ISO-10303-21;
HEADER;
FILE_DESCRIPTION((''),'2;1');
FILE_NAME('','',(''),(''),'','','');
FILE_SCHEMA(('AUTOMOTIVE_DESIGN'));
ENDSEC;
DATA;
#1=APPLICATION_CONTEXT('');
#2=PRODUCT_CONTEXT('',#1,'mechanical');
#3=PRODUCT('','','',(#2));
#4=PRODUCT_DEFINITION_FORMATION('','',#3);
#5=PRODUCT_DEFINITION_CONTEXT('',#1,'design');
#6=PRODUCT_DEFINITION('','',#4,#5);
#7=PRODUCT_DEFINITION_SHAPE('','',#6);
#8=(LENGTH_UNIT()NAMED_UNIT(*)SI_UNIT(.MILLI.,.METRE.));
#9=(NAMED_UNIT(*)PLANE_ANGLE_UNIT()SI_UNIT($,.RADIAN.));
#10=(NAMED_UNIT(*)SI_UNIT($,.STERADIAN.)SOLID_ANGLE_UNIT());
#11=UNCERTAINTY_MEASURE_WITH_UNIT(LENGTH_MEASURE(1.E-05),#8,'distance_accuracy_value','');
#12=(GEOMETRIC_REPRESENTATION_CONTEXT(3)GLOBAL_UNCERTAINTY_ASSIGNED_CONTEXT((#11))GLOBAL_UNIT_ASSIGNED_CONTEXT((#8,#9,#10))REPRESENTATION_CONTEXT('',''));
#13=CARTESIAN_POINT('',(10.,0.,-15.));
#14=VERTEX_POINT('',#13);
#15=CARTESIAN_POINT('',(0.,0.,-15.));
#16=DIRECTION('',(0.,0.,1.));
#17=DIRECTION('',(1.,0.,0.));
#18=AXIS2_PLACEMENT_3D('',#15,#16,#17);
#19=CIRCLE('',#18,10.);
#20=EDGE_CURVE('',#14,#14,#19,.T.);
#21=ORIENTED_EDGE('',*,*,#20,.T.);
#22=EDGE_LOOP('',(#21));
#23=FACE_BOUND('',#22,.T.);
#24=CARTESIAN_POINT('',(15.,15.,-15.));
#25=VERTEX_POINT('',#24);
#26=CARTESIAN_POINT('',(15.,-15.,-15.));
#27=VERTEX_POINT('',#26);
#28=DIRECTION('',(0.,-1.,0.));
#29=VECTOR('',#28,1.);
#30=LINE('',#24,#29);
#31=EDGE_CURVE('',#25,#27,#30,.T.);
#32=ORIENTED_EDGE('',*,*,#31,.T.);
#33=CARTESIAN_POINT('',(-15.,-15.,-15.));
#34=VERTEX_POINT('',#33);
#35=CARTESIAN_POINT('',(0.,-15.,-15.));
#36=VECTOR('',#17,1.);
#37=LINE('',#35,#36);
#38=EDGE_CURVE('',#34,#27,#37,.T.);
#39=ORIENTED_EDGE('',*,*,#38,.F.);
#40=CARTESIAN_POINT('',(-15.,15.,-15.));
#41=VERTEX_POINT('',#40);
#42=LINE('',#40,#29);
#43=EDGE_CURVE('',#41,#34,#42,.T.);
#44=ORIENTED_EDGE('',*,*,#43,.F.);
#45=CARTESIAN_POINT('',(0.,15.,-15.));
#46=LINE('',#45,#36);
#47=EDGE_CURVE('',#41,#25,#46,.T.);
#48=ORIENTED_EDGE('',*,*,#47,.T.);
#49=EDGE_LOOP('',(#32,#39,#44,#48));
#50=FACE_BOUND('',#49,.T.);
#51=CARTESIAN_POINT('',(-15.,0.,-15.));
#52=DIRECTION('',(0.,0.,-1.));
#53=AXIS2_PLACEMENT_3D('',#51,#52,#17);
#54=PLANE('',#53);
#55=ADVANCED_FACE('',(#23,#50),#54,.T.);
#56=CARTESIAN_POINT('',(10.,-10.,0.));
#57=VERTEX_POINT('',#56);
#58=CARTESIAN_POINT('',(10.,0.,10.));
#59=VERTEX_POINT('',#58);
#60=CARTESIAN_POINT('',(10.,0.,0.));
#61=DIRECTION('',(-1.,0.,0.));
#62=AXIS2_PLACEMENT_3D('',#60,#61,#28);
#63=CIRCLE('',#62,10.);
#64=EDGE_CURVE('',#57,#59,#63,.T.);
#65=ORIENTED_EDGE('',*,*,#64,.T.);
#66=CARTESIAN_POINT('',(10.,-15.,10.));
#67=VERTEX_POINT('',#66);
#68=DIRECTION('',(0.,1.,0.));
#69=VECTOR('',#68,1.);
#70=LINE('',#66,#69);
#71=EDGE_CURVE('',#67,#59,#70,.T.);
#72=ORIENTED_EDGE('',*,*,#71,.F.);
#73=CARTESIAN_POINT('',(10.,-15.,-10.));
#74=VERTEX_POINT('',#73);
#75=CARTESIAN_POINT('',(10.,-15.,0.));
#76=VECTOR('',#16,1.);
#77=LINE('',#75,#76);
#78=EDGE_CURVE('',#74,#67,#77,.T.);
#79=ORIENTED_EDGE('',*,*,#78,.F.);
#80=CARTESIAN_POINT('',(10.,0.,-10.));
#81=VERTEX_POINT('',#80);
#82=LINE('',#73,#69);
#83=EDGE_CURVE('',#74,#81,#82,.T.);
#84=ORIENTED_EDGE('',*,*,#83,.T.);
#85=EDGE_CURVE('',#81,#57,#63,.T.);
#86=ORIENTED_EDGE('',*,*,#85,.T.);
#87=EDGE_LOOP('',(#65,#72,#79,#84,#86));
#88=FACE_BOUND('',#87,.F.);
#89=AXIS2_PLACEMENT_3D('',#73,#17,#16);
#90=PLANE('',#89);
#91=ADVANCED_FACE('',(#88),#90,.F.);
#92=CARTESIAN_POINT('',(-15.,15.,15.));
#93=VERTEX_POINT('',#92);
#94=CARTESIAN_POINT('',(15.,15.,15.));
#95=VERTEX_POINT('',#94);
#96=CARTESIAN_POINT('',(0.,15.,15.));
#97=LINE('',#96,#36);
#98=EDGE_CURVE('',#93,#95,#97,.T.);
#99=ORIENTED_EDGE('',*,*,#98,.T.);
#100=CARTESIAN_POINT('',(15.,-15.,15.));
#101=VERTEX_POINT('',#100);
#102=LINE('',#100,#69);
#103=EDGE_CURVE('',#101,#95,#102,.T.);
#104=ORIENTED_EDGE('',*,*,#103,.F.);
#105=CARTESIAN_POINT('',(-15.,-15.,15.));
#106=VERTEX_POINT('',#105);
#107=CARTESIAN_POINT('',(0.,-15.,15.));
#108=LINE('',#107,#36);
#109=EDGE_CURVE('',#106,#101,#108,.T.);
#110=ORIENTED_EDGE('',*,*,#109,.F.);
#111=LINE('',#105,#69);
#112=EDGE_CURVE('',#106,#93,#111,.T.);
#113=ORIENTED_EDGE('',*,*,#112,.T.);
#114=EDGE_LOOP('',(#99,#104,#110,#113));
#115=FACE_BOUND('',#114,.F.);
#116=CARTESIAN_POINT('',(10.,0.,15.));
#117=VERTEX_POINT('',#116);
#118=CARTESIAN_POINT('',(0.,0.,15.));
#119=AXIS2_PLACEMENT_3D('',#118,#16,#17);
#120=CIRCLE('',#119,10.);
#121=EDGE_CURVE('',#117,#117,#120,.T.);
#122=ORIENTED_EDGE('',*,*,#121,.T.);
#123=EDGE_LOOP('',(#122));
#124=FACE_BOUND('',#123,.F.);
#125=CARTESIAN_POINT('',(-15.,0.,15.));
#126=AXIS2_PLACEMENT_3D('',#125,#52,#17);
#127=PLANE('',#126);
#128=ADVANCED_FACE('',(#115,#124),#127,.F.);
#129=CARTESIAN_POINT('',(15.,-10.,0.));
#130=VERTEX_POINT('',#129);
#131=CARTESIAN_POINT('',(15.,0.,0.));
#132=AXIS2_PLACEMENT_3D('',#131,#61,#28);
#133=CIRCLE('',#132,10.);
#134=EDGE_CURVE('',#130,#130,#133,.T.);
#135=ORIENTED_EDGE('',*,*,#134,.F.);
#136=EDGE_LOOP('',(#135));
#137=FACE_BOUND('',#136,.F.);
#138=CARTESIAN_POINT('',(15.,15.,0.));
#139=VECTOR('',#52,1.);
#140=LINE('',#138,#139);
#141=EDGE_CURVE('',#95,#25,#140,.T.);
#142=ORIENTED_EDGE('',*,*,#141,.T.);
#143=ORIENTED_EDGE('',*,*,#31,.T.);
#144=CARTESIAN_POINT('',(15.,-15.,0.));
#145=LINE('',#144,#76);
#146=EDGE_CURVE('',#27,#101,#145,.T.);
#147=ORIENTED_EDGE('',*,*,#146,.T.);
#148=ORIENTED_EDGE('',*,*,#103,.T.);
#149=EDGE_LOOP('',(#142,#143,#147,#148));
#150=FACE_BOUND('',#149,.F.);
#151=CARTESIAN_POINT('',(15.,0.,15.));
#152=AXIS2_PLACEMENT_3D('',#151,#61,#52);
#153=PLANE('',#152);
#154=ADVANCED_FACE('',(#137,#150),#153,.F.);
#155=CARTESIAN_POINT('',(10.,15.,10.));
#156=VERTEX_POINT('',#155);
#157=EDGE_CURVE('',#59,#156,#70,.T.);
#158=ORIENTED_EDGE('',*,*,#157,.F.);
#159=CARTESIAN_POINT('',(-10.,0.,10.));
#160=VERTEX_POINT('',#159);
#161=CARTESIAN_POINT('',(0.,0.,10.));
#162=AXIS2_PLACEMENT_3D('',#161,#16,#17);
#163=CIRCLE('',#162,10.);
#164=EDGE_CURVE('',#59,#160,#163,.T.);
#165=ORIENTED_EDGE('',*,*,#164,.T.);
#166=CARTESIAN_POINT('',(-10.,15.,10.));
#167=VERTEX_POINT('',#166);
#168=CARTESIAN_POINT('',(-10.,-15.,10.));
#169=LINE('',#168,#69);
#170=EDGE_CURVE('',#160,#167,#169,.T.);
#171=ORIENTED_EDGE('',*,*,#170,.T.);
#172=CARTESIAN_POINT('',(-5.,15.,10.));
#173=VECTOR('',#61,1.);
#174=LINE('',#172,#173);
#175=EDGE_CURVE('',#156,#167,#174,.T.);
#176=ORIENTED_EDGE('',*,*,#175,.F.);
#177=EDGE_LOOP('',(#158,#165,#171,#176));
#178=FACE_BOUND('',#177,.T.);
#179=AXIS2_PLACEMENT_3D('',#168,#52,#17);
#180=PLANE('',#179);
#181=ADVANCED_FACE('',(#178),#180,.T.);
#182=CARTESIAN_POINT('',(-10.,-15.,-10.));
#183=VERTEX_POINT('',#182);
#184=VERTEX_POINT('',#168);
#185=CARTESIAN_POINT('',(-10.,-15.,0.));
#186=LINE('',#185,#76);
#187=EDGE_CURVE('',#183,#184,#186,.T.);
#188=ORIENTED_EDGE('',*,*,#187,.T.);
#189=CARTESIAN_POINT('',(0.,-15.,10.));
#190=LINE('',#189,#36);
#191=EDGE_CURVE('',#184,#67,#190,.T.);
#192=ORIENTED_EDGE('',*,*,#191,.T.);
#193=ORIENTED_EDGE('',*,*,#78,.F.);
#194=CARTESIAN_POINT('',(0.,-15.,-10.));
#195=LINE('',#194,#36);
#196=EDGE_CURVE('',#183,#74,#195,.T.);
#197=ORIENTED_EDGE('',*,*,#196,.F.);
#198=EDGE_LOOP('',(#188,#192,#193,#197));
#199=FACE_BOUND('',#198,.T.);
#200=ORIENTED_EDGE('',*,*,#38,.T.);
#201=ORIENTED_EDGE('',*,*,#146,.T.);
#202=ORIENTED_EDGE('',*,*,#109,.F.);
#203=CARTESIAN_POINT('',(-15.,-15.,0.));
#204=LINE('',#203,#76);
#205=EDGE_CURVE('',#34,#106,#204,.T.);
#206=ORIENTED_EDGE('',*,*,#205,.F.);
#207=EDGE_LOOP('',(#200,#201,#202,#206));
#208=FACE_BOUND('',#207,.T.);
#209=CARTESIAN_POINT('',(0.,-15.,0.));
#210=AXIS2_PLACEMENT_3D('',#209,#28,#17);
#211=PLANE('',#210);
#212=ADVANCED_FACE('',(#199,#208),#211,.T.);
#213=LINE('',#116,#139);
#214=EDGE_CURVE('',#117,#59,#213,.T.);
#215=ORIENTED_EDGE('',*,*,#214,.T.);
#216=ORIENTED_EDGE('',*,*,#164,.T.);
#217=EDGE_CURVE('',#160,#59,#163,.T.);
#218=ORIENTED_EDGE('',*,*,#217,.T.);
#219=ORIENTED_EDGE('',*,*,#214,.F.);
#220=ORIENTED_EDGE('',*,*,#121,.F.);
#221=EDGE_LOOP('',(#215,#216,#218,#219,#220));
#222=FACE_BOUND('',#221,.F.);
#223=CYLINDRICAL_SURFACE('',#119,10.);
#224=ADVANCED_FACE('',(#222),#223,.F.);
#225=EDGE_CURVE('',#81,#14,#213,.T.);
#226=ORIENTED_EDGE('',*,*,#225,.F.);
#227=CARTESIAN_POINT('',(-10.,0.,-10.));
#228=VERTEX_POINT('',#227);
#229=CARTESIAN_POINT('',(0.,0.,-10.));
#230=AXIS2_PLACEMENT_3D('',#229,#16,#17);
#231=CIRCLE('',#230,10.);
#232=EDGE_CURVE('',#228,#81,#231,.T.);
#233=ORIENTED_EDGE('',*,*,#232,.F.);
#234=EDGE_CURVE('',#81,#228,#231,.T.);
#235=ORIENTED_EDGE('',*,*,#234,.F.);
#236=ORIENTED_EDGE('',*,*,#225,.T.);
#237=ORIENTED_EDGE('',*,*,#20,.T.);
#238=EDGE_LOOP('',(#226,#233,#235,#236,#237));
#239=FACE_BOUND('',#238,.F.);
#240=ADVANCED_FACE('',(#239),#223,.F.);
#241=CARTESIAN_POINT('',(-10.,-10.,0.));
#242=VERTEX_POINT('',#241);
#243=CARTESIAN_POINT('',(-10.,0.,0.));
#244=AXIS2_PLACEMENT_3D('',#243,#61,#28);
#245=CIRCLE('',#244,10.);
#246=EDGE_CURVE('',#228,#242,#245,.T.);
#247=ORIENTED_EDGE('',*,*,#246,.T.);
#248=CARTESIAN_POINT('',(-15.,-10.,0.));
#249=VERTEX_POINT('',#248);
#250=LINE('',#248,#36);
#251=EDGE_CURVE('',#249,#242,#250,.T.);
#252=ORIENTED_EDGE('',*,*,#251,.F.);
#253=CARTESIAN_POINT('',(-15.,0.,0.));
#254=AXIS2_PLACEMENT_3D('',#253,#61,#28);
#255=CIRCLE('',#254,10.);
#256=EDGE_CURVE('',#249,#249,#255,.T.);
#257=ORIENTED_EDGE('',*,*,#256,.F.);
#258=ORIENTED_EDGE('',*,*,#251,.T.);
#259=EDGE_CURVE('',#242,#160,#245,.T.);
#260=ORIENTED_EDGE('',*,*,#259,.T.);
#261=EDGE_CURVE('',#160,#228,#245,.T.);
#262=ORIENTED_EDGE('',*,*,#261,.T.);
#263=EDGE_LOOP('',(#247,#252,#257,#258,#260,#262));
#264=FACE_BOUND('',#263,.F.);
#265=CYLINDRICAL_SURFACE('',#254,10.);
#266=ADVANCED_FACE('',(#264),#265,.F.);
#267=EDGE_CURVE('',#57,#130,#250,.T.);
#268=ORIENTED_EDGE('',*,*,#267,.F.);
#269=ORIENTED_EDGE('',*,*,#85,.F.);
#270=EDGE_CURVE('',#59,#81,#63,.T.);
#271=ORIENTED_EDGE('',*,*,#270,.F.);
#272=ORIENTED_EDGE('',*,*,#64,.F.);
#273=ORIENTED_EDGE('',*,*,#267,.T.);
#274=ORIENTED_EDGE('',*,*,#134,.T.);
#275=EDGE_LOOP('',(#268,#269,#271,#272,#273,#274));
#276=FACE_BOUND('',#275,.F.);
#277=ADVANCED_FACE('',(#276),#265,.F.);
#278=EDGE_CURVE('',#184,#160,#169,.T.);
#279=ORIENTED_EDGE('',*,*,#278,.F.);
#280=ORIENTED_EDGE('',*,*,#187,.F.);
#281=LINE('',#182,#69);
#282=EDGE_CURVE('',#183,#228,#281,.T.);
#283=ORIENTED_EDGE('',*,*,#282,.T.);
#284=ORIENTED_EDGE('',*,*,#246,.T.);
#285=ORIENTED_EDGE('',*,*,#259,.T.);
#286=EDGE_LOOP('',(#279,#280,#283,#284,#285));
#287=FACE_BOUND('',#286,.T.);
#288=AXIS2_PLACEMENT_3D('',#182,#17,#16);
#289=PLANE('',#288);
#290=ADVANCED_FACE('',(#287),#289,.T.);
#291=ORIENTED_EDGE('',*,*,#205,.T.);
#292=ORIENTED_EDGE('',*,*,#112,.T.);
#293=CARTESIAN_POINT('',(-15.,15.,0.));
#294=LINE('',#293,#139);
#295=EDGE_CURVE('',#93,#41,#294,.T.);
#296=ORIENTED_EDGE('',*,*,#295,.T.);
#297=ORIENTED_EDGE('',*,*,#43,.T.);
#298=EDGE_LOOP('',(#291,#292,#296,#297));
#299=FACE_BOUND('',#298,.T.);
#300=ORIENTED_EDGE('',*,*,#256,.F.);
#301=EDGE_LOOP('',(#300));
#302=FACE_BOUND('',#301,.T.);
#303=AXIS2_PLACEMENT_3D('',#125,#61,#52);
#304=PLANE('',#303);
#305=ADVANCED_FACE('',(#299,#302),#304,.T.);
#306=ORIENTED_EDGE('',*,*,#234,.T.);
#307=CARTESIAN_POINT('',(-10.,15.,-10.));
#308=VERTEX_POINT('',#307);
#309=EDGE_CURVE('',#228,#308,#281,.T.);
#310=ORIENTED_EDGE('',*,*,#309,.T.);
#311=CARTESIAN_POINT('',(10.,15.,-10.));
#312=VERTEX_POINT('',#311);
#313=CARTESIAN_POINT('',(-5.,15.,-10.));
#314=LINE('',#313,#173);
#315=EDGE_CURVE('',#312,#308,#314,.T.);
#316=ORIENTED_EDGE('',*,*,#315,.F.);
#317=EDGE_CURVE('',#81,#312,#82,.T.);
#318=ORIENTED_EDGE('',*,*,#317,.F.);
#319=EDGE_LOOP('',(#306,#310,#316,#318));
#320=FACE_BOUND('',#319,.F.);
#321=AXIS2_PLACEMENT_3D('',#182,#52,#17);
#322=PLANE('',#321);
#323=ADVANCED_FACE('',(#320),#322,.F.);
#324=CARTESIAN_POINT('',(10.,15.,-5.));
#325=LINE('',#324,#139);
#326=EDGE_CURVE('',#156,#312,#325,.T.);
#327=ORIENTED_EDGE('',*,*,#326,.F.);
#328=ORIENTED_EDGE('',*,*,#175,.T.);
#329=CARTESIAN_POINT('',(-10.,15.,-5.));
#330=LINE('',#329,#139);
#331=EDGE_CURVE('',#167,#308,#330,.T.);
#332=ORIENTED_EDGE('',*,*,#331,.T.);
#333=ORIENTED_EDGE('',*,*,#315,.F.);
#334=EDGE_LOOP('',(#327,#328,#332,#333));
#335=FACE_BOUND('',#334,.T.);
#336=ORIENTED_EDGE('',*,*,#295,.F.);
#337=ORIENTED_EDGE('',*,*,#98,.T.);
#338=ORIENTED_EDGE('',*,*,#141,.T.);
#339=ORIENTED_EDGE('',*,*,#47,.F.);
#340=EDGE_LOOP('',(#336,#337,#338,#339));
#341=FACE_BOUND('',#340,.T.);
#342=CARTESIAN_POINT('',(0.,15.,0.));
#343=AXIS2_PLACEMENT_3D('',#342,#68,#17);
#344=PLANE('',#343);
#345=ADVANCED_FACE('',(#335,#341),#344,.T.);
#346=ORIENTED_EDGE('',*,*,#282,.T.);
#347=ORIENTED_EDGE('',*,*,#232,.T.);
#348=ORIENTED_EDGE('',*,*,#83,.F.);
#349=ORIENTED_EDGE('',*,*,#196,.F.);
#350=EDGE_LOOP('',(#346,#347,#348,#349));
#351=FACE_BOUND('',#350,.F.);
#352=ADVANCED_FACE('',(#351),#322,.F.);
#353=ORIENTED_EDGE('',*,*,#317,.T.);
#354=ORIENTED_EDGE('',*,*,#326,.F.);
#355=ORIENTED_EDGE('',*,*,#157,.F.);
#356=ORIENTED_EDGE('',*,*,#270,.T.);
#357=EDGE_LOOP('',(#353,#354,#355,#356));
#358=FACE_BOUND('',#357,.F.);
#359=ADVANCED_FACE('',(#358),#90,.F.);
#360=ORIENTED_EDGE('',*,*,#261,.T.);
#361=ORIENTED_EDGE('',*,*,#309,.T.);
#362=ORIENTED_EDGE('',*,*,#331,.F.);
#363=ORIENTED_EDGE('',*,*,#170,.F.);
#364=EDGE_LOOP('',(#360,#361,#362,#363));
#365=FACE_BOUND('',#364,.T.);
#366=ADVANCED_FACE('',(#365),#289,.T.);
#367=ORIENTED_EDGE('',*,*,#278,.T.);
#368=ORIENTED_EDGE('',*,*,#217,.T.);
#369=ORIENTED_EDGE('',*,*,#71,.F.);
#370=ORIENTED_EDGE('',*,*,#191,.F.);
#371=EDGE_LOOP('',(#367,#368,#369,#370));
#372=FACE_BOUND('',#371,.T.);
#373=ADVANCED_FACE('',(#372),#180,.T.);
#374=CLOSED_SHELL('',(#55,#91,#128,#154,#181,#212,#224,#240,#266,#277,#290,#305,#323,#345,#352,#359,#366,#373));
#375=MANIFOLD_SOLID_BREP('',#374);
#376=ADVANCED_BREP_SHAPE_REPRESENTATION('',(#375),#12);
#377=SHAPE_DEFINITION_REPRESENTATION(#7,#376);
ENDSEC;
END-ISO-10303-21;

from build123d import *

# Parameters (mm, degrees)
F0_W      = 30
F0_H      = 30
F1_DEPTH  = 15
F1_FACE_W = 30
F1_FACE_H = 30
F2_DEPTH  = 15
F3_W      = 20
F3_H      = 20
F4_DEPTH  = 30.001
F5_R      = 10
F6_DEPTH  = 30.001
F7_R      = 10
F8_DEPTH  = 30.001


with BuildPart() as f1:
    # F0 (on Front) → F1 (new body)
    with BuildSketch(Plane.XZ):
        Rectangle(F0_W, F0_H)
    extrude(amount=F1_DEPTH)

    # F1_face (on face) → F2 (join)
    with BuildSketch(Plane(origin=(0, 0, 0), x_dir=(1, 0, 0), z_dir=(0, 1, 0))):
        Rectangle(F1_FACE_W, F1_FACE_H)
    extrude(amount=F2_DEPTH)

    # F3 (on face) → F4 (cut, through all)
    with BuildSketch(Plane.XZ.offset(15)):
        Rectangle(F3_W, F3_H)
    extrude(amount=-F4_DEPTH, mode=Mode.SUBTRACT)

    # F5 (on face) → F6 (cut, through all)
    with BuildSketch(Plane.XY.offset(15)):
        Circle(F5_R)
    extrude(amount=-F6_DEPTH, mode=Mode.SUBTRACT)

    # F7 (on face) → F8 (cut, through all)
    with BuildSketch(Plane(origin=(-15, 0, 0), x_dir=(0, -1, 0), z_dir=(-1, 0, 0))):
        Circle(F7_R)
    extrude(amount=-F8_DEPTH, mode=Mode.SUBTRACT)


solid = f1.part
